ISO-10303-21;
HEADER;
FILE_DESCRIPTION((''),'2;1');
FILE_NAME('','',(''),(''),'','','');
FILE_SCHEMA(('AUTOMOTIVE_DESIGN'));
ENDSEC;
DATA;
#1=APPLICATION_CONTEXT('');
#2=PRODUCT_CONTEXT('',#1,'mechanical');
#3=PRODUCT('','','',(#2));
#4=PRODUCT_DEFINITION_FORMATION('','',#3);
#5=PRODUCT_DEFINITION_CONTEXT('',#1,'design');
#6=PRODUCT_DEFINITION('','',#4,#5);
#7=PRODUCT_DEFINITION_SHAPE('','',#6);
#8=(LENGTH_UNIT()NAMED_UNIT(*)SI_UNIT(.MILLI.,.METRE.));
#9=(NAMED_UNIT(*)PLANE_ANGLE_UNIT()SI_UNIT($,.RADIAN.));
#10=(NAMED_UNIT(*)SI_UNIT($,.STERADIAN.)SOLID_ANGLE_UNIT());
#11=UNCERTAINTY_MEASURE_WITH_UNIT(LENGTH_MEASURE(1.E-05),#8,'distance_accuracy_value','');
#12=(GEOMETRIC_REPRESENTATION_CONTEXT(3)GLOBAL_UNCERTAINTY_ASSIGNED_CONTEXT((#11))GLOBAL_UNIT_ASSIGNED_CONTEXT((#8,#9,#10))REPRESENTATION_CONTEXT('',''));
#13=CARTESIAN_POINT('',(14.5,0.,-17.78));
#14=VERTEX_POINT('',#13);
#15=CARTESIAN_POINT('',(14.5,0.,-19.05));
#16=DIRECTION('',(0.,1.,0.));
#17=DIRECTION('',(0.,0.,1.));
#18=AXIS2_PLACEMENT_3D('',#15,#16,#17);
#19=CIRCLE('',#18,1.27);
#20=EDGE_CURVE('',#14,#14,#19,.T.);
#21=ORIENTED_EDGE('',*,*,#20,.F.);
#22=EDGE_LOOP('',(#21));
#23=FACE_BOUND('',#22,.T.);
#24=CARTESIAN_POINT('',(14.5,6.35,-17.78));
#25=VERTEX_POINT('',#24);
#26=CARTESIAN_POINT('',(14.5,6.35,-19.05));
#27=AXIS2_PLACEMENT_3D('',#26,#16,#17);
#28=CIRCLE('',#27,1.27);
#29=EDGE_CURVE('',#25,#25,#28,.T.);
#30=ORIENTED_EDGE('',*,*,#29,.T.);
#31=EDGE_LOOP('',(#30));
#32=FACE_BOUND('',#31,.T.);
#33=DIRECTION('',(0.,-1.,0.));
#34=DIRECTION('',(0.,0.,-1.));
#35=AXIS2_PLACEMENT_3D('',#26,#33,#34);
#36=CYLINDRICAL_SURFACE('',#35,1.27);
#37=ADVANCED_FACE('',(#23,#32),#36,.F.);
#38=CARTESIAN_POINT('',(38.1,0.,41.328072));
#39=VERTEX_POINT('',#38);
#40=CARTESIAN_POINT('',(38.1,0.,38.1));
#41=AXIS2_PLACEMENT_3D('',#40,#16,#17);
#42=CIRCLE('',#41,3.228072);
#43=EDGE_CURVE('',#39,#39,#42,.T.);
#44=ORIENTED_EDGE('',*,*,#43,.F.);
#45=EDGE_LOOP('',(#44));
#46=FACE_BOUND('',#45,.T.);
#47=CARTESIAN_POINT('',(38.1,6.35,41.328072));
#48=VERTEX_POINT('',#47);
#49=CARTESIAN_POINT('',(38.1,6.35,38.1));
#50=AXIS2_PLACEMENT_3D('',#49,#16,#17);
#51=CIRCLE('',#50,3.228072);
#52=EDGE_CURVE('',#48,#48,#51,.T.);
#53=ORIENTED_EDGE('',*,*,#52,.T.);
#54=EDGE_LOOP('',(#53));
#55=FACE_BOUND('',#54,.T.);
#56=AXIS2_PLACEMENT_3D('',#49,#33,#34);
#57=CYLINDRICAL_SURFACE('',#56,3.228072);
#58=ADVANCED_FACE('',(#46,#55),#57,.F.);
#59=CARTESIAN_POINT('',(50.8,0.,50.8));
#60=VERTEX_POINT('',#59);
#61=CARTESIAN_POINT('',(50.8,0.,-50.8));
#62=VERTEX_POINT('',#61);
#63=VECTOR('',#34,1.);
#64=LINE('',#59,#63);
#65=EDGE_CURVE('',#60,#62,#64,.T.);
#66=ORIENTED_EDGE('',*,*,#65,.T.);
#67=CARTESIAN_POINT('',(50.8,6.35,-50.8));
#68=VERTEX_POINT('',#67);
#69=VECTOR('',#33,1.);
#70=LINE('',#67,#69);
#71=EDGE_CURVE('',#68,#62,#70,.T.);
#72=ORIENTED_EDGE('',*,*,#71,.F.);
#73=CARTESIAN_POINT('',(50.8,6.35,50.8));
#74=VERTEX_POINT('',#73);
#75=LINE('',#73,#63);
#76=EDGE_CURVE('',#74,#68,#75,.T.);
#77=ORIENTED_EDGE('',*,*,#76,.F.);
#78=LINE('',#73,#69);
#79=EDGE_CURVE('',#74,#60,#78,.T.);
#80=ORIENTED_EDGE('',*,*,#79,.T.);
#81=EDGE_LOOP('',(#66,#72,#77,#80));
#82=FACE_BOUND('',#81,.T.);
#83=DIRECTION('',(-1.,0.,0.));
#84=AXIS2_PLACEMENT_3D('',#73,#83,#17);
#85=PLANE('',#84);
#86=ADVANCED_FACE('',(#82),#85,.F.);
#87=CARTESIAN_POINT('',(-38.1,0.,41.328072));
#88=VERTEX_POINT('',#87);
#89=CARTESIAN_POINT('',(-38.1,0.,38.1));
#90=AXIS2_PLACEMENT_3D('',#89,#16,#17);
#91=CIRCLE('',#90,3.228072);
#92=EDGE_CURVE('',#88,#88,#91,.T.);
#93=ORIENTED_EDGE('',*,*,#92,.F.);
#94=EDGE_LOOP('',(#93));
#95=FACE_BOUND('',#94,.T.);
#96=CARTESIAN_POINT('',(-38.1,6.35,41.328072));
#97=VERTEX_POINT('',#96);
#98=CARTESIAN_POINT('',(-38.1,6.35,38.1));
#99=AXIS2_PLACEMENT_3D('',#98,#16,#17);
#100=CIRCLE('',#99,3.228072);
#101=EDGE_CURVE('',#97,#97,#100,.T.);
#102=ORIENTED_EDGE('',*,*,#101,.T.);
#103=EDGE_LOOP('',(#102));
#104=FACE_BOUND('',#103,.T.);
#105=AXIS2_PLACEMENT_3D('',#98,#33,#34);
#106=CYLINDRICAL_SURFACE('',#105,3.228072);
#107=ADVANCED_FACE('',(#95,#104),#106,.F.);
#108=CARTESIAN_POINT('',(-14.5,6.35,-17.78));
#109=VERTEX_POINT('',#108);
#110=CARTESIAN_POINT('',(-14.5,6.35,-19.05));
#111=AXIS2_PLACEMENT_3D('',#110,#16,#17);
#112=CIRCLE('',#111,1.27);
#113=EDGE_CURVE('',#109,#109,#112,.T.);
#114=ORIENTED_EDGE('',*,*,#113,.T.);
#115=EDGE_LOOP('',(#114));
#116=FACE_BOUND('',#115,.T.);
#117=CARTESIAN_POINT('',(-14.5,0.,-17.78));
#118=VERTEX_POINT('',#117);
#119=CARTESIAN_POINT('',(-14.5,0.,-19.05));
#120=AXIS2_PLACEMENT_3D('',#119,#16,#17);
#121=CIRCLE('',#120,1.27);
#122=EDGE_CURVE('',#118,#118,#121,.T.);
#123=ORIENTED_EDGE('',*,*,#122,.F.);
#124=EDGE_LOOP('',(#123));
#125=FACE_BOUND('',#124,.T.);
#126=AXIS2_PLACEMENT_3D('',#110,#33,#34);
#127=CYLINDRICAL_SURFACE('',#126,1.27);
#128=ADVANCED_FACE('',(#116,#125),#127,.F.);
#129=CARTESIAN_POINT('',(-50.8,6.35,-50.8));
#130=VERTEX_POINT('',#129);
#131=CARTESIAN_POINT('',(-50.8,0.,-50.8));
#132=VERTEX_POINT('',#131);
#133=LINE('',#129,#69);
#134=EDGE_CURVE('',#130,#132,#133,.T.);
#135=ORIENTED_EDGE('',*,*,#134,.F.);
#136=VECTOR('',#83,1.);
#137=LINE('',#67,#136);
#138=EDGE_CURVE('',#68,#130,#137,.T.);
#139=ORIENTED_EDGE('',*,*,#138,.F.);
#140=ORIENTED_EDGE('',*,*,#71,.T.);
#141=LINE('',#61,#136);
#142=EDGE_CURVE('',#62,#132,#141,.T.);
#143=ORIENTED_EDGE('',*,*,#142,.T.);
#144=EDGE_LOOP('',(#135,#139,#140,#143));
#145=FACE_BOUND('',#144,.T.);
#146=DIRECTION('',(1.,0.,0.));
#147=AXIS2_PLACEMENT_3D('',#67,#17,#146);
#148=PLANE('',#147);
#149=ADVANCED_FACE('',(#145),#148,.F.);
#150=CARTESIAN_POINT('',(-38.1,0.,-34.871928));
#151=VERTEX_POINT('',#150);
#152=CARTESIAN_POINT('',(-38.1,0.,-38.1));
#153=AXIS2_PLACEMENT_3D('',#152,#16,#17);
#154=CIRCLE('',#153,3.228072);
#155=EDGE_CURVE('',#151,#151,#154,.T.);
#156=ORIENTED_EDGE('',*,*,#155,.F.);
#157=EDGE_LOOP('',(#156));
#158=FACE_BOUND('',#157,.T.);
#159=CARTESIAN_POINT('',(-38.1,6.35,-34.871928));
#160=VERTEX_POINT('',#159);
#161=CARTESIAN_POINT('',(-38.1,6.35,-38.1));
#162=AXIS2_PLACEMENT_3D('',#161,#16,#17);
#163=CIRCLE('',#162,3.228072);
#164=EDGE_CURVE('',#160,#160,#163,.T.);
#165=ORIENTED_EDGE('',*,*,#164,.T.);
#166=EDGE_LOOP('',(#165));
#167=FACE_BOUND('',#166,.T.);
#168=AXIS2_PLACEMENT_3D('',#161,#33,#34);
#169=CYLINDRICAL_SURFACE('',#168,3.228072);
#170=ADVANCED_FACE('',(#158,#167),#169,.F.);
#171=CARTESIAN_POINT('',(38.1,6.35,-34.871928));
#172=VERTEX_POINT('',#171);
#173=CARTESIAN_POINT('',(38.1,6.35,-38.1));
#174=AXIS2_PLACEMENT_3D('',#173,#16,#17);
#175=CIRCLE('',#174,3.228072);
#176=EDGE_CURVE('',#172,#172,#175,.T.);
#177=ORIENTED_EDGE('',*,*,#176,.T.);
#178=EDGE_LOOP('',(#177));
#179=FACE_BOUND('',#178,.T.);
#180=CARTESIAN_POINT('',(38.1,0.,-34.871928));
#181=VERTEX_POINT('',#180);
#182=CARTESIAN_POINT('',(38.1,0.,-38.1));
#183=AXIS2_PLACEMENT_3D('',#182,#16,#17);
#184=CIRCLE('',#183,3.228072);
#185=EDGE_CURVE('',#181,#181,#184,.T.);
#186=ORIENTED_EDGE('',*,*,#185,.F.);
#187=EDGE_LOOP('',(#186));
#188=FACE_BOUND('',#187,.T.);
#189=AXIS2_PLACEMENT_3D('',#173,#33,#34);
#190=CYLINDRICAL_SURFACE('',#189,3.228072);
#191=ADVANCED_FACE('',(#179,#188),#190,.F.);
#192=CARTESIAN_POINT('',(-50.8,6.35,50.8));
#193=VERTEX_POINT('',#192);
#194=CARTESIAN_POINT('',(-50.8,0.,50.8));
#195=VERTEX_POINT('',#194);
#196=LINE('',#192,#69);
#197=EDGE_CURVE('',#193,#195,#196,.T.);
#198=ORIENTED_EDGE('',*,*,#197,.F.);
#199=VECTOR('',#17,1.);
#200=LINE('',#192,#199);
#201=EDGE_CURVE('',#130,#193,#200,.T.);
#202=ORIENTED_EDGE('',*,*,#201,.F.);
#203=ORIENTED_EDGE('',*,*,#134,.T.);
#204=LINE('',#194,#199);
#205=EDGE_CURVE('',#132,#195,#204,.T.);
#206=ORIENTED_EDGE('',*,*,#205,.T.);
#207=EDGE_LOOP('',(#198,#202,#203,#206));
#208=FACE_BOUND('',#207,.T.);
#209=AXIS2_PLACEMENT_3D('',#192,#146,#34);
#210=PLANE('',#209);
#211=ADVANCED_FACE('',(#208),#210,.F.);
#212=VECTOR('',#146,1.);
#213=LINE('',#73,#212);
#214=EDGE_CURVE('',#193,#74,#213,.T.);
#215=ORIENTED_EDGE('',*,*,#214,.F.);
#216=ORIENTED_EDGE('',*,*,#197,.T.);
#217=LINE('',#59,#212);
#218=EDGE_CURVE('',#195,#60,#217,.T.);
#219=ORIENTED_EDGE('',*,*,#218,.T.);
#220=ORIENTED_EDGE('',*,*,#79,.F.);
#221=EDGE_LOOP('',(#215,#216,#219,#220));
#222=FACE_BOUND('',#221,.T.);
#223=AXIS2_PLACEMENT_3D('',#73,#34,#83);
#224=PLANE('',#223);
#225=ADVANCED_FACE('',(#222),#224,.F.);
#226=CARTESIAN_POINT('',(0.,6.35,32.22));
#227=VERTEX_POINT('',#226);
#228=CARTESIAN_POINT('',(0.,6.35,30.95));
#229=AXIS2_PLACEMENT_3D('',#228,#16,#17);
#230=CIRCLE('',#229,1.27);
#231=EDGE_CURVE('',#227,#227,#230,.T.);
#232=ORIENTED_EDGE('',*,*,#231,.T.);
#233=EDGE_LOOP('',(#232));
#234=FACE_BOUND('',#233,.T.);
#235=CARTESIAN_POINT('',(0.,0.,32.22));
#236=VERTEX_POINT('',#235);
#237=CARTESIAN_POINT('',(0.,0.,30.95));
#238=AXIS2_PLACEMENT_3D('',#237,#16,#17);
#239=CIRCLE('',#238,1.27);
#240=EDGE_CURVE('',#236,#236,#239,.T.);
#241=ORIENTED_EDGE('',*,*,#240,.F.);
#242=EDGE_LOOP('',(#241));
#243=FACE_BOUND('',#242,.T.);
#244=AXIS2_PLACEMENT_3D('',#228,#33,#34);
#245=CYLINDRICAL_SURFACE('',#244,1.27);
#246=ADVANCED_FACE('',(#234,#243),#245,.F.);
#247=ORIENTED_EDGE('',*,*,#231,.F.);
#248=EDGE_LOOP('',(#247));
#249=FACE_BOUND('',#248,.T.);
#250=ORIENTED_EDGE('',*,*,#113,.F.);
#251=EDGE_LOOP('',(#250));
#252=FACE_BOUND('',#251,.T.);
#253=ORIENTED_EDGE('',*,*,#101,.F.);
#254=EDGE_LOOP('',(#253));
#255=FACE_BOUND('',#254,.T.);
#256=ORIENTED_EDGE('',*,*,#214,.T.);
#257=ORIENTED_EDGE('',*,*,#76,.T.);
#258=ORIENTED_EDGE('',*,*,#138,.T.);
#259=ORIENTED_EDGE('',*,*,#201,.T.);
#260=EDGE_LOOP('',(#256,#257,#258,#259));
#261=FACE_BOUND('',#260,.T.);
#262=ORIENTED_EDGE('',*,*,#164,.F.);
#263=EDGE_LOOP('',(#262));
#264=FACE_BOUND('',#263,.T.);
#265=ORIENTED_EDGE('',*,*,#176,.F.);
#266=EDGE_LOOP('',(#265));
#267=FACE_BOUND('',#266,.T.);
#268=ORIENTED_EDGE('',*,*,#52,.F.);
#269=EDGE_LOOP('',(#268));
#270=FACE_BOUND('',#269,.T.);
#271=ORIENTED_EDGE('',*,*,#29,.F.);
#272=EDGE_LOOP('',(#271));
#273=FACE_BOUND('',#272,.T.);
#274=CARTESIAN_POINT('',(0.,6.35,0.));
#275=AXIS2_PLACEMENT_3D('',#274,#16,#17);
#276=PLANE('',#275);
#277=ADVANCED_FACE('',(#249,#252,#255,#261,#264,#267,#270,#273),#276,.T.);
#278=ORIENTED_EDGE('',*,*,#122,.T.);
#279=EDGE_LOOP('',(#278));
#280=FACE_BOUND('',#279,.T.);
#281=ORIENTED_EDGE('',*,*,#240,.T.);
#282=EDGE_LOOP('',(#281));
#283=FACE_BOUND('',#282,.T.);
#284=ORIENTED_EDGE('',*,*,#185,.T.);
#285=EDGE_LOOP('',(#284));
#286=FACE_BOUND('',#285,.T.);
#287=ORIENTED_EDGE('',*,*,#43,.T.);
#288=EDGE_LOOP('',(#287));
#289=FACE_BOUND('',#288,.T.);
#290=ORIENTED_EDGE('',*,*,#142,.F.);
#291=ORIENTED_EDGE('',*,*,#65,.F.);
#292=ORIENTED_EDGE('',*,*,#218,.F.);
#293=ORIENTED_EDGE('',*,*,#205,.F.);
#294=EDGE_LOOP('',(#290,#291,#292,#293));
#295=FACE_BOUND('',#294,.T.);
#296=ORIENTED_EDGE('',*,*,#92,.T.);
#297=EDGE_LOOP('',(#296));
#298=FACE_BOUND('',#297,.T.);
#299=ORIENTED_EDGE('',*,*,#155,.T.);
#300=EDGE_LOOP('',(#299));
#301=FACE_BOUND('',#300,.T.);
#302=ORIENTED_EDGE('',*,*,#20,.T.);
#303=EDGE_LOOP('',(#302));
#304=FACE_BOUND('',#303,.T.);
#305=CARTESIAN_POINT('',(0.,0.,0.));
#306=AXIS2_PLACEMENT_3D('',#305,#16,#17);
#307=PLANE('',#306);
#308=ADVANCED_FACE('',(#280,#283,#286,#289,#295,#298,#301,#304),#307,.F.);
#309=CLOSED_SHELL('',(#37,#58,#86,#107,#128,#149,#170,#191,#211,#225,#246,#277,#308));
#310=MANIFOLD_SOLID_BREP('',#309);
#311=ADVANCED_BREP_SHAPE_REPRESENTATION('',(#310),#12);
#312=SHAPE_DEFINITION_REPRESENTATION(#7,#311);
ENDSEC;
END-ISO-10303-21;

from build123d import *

# Parameters (mm, degrees)
SKETCH1_W           = 101.6
SKETCH1_H           = 101.6
SKETCH1_R           = 1.27
SKETCH1_R_2         = 3.228072168
BOSS_EXTRUDE1_DEPTH = 6.35


with BuildPart() as part:
    # Sketch1 → Boss-Extrude1 (new body)
    with BuildSketch(Plane(origin=(0, 0, 0), x_dir=(1, 0, 0), z_dir=(0, 1, 0))):
        Rectangle(SKETCH1_W, SKETCH1_H)
        with Locations(Location((-14.5, 19.05, 0), (0, 0, 270))):
            Circle(SKETCH1_R, mode=Mode.SUBTRACT)
        with Locations(Location((14.5, 19.05, 0), (0, 0, 270))):
            Circle(SKETCH1_R, mode=Mode.SUBTRACT)
        with Locations(Location((0, -30.95, 0), (0, 0, 270))):
            Circle(SKETCH1_R, mode=Mode.SUBTRACT)
        with Locations(Location((-38.1, 38.1, 0), (0, 0, 270))):
            Circle(SKETCH1_R_2, mode=Mode.SUBTRACT)
        with Locations(Location((38.1, 38.1, 0), (0, 0, 270))):
            Circle(SKETCH1_R_2, mode=Mode.SUBTRACT)
        with Locations(Location((38.1, -38.1, 0), (0, 0, 270))):
            Circle(SKETCH1_R_2, mode=Mode.SUBTRACT)
        with Locations(Location((-38.1, -38.1, 0), (0, 0, 270))):
            Circle(SKETCH1_R_2, mode=Mode.SUBTRACT)
    extrude(amount=BOSS_EXTRUDE1_DEPTH)


solid = part.part
